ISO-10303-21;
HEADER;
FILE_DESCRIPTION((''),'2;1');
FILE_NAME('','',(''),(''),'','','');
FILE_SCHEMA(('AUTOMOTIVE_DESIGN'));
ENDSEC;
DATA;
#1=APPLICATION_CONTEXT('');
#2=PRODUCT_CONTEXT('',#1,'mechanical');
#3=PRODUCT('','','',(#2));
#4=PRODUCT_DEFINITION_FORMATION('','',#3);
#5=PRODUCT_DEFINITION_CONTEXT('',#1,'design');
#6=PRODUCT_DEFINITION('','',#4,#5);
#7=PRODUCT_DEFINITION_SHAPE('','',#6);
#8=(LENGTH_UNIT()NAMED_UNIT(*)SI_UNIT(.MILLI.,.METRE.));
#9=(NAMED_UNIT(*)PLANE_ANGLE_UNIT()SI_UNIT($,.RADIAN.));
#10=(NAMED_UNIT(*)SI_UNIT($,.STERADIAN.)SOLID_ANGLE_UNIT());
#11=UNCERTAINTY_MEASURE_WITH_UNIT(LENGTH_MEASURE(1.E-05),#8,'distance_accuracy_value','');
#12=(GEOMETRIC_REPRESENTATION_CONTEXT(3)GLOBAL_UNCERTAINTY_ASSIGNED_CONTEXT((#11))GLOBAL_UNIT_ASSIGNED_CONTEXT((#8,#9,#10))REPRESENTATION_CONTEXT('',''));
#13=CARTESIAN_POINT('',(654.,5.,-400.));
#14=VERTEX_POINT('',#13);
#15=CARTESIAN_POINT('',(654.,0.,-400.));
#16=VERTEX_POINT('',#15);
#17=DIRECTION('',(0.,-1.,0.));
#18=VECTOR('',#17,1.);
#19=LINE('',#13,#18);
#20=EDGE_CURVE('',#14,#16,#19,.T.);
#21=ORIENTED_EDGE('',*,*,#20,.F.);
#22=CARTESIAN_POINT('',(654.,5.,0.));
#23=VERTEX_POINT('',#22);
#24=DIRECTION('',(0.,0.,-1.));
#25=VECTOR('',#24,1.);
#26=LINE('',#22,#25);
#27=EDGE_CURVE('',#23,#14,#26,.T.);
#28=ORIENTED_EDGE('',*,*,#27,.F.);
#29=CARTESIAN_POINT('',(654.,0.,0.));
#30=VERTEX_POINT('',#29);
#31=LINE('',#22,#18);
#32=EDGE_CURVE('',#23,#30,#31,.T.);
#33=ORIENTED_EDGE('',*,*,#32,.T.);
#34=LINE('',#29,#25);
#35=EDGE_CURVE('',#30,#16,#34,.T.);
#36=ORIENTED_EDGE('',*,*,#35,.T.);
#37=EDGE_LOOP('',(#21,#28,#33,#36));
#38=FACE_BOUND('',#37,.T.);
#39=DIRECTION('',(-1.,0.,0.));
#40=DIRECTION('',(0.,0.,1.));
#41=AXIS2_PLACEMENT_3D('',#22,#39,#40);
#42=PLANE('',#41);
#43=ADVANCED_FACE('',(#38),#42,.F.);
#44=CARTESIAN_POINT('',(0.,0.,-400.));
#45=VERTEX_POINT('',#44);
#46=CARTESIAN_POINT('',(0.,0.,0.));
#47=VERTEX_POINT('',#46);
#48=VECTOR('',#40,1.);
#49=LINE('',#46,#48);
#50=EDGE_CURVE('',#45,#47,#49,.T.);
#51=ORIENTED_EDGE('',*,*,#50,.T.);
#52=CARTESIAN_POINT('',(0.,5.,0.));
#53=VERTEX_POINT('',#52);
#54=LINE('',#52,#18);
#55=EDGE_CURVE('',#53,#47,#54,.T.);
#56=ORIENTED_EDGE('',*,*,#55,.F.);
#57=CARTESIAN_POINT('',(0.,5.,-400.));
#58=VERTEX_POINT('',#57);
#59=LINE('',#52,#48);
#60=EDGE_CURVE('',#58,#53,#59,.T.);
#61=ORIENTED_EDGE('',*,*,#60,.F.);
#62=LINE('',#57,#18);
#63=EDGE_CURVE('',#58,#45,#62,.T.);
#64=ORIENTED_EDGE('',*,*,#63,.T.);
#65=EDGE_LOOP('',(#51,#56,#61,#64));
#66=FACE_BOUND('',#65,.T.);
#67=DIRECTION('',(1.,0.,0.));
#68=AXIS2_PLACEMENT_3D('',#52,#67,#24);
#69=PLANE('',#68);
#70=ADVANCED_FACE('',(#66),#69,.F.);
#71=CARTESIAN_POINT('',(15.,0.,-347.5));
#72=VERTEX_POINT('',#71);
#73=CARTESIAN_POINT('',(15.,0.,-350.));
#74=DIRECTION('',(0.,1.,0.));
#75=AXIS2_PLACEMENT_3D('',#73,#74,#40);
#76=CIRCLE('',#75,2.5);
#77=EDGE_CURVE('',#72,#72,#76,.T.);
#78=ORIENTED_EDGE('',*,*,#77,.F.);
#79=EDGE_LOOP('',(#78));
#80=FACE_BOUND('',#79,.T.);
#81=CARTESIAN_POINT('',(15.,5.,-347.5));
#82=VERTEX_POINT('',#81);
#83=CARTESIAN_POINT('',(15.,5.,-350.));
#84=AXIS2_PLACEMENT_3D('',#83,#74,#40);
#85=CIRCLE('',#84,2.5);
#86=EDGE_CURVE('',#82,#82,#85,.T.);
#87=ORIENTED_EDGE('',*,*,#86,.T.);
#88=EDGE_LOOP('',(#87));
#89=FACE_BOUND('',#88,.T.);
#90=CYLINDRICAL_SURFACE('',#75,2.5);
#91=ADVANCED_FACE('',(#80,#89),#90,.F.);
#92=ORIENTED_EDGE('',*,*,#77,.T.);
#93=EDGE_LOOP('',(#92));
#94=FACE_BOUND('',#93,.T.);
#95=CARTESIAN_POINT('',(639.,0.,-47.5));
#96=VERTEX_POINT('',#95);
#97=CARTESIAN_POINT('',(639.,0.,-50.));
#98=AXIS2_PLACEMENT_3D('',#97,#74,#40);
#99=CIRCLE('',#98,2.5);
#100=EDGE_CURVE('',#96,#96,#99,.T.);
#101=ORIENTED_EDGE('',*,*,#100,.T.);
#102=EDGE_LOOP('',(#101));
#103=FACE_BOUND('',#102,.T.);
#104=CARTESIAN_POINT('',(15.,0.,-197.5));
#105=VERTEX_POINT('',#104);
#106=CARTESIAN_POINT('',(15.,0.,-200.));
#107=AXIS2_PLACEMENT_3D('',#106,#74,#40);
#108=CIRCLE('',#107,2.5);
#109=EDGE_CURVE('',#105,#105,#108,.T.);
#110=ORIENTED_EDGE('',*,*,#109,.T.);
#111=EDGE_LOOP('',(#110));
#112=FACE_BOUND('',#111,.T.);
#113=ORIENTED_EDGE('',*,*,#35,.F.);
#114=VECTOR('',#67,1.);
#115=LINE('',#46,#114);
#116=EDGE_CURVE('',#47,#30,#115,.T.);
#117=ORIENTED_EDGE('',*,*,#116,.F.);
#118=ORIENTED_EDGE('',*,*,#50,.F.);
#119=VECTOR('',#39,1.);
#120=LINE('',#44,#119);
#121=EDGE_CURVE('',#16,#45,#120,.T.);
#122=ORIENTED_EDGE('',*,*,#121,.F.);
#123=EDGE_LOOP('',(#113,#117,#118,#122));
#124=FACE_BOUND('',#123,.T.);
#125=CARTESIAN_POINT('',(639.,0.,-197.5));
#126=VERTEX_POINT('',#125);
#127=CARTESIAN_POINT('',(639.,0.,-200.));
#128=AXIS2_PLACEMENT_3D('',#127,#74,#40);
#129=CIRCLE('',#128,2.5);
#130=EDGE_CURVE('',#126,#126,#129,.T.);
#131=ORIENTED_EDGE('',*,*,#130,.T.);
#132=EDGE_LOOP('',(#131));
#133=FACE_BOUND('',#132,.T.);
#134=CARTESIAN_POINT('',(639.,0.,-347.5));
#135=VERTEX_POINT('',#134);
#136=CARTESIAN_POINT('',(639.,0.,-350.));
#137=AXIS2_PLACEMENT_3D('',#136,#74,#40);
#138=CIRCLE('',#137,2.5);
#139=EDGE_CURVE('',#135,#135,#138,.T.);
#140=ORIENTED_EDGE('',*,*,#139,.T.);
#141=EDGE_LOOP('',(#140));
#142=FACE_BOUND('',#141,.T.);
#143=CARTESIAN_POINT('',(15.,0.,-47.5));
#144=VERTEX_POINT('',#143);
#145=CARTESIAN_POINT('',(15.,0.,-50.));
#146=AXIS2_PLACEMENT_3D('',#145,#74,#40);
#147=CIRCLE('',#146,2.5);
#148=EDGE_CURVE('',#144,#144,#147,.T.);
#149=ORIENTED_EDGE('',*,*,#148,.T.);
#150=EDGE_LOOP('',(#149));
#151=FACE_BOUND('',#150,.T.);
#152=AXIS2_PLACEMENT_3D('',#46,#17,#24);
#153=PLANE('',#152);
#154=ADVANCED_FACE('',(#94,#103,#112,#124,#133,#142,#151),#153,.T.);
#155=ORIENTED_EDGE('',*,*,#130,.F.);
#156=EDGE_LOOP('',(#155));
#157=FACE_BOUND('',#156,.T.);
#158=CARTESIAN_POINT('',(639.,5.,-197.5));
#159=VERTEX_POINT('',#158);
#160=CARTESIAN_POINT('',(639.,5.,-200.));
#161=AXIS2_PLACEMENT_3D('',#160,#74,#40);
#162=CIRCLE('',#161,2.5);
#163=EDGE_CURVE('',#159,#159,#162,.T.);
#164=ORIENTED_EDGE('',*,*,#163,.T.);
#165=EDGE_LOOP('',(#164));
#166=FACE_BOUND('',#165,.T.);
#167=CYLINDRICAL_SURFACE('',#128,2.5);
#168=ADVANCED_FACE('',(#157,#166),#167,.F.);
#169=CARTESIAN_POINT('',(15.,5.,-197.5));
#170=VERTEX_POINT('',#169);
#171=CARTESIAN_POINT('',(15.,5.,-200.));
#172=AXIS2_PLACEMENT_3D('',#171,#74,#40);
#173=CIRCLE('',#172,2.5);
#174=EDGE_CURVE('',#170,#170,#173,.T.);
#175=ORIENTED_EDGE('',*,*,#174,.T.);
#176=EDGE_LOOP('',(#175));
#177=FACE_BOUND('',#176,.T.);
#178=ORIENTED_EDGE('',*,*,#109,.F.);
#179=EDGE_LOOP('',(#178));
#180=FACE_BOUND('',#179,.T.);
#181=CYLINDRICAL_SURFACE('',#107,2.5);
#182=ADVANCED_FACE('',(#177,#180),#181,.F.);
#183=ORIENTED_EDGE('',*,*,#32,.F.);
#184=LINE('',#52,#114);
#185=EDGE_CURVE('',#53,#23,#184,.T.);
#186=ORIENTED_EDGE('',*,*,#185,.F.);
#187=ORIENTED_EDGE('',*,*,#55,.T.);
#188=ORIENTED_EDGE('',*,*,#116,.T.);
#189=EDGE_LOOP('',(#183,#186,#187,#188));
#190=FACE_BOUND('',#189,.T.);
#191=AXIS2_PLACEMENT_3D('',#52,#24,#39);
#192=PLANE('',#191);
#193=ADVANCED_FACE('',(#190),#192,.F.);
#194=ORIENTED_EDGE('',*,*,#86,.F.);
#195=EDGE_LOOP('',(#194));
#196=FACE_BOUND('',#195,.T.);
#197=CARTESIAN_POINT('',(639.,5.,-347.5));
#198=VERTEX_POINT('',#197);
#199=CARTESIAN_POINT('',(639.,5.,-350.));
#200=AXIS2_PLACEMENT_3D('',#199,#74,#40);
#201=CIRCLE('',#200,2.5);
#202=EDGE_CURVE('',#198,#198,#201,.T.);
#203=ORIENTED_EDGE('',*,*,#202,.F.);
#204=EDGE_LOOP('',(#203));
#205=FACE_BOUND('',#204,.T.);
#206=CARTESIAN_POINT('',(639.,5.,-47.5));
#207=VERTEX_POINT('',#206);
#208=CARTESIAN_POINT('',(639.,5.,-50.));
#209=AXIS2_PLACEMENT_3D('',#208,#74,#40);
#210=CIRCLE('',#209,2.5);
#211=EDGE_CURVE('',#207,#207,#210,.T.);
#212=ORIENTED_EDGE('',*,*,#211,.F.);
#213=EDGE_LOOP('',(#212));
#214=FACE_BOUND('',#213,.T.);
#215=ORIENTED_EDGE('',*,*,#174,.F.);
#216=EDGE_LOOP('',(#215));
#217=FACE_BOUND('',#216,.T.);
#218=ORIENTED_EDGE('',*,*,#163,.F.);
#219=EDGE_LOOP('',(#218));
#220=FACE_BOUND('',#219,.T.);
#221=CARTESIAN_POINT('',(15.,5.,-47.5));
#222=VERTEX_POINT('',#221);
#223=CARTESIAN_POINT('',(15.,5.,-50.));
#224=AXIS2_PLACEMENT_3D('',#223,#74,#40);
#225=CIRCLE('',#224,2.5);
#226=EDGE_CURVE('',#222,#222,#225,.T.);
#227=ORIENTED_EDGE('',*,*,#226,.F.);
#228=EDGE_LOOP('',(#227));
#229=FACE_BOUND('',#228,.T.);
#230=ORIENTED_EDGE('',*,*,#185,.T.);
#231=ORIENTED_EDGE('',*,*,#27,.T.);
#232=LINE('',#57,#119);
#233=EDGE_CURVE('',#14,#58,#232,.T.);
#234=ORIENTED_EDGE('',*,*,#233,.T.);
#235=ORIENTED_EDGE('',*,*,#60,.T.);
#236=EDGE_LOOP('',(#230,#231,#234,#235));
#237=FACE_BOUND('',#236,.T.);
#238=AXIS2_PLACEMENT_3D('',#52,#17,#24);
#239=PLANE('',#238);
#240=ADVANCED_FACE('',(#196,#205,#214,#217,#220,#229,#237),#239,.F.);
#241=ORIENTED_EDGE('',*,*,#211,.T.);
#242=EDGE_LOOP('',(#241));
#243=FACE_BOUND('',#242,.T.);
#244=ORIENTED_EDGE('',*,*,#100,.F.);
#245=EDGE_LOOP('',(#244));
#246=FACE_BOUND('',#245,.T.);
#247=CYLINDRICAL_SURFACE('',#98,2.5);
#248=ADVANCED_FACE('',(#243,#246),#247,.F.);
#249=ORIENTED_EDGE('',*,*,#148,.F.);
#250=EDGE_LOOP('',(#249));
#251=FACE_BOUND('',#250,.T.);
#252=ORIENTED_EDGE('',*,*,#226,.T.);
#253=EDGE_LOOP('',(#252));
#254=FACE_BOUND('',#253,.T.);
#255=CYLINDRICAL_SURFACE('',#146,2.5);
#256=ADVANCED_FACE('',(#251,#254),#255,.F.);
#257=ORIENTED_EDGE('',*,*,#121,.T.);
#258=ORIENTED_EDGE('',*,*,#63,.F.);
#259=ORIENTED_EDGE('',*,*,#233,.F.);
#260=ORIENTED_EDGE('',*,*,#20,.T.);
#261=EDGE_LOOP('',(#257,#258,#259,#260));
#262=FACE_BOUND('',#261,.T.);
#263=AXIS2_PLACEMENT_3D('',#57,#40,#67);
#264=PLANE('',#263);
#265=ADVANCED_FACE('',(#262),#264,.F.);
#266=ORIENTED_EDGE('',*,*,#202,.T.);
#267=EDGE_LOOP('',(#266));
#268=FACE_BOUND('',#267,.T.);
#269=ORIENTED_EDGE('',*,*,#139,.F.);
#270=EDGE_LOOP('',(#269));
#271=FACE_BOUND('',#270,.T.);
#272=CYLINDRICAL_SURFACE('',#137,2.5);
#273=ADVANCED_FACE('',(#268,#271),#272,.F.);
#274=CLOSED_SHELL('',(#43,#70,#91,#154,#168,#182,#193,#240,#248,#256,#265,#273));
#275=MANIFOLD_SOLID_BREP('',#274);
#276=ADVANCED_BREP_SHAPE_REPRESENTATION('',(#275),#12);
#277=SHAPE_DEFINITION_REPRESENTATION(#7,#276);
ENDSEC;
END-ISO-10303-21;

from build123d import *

# Parameters (mm, degrees)
SKETCH1_W           = 654
SKETCH1_H           = 400
BOSS_EXTRUDE1_DEPTH = 5
SKETCH2_R           = 2.5
CUT_EXTRUDE1_DEPTH  = 6


with BuildPart() as part:
    # Sketch1 → Boss-Extrude1 (new body)
    with BuildSketch(Plane(origin=(0, 0, 0), x_dir=(1, 0, 0), z_dir=(0, 1, 0))):
        with Locations((327, 200)):
            Rectangle(SKETCH1_W, SKETCH1_H)
    extrude(amount=BOSS_EXTRUDE1_DEPTH)

    # Sketch2 → Cut-Extrude1 (cut, through all)
    with BuildSketch(Plane(origin=(0, 5, 0), x_dir=(1, 0, 0), z_dir=(0, 1, 0))):
        with Locations((639, 350)):
            Circle(SKETCH2_R)
        with Locations((639, 200)):
            Circle(SKETCH2_R)
        with Locations((639, 50)):
            Circle(SKETCH2_R)
        with Locations((15, 350)):
            Circle(SKETCH2_R)
        with Locations((15, 200)):
            Circle(SKETCH2_R)
        with Locations((15, 50)):
            Circle(SKETCH2_R)
    extrude(amount=-CUT_EXTRUDE1_DEPTH, mode=Mode.SUBTRACT)


solid = part.part
